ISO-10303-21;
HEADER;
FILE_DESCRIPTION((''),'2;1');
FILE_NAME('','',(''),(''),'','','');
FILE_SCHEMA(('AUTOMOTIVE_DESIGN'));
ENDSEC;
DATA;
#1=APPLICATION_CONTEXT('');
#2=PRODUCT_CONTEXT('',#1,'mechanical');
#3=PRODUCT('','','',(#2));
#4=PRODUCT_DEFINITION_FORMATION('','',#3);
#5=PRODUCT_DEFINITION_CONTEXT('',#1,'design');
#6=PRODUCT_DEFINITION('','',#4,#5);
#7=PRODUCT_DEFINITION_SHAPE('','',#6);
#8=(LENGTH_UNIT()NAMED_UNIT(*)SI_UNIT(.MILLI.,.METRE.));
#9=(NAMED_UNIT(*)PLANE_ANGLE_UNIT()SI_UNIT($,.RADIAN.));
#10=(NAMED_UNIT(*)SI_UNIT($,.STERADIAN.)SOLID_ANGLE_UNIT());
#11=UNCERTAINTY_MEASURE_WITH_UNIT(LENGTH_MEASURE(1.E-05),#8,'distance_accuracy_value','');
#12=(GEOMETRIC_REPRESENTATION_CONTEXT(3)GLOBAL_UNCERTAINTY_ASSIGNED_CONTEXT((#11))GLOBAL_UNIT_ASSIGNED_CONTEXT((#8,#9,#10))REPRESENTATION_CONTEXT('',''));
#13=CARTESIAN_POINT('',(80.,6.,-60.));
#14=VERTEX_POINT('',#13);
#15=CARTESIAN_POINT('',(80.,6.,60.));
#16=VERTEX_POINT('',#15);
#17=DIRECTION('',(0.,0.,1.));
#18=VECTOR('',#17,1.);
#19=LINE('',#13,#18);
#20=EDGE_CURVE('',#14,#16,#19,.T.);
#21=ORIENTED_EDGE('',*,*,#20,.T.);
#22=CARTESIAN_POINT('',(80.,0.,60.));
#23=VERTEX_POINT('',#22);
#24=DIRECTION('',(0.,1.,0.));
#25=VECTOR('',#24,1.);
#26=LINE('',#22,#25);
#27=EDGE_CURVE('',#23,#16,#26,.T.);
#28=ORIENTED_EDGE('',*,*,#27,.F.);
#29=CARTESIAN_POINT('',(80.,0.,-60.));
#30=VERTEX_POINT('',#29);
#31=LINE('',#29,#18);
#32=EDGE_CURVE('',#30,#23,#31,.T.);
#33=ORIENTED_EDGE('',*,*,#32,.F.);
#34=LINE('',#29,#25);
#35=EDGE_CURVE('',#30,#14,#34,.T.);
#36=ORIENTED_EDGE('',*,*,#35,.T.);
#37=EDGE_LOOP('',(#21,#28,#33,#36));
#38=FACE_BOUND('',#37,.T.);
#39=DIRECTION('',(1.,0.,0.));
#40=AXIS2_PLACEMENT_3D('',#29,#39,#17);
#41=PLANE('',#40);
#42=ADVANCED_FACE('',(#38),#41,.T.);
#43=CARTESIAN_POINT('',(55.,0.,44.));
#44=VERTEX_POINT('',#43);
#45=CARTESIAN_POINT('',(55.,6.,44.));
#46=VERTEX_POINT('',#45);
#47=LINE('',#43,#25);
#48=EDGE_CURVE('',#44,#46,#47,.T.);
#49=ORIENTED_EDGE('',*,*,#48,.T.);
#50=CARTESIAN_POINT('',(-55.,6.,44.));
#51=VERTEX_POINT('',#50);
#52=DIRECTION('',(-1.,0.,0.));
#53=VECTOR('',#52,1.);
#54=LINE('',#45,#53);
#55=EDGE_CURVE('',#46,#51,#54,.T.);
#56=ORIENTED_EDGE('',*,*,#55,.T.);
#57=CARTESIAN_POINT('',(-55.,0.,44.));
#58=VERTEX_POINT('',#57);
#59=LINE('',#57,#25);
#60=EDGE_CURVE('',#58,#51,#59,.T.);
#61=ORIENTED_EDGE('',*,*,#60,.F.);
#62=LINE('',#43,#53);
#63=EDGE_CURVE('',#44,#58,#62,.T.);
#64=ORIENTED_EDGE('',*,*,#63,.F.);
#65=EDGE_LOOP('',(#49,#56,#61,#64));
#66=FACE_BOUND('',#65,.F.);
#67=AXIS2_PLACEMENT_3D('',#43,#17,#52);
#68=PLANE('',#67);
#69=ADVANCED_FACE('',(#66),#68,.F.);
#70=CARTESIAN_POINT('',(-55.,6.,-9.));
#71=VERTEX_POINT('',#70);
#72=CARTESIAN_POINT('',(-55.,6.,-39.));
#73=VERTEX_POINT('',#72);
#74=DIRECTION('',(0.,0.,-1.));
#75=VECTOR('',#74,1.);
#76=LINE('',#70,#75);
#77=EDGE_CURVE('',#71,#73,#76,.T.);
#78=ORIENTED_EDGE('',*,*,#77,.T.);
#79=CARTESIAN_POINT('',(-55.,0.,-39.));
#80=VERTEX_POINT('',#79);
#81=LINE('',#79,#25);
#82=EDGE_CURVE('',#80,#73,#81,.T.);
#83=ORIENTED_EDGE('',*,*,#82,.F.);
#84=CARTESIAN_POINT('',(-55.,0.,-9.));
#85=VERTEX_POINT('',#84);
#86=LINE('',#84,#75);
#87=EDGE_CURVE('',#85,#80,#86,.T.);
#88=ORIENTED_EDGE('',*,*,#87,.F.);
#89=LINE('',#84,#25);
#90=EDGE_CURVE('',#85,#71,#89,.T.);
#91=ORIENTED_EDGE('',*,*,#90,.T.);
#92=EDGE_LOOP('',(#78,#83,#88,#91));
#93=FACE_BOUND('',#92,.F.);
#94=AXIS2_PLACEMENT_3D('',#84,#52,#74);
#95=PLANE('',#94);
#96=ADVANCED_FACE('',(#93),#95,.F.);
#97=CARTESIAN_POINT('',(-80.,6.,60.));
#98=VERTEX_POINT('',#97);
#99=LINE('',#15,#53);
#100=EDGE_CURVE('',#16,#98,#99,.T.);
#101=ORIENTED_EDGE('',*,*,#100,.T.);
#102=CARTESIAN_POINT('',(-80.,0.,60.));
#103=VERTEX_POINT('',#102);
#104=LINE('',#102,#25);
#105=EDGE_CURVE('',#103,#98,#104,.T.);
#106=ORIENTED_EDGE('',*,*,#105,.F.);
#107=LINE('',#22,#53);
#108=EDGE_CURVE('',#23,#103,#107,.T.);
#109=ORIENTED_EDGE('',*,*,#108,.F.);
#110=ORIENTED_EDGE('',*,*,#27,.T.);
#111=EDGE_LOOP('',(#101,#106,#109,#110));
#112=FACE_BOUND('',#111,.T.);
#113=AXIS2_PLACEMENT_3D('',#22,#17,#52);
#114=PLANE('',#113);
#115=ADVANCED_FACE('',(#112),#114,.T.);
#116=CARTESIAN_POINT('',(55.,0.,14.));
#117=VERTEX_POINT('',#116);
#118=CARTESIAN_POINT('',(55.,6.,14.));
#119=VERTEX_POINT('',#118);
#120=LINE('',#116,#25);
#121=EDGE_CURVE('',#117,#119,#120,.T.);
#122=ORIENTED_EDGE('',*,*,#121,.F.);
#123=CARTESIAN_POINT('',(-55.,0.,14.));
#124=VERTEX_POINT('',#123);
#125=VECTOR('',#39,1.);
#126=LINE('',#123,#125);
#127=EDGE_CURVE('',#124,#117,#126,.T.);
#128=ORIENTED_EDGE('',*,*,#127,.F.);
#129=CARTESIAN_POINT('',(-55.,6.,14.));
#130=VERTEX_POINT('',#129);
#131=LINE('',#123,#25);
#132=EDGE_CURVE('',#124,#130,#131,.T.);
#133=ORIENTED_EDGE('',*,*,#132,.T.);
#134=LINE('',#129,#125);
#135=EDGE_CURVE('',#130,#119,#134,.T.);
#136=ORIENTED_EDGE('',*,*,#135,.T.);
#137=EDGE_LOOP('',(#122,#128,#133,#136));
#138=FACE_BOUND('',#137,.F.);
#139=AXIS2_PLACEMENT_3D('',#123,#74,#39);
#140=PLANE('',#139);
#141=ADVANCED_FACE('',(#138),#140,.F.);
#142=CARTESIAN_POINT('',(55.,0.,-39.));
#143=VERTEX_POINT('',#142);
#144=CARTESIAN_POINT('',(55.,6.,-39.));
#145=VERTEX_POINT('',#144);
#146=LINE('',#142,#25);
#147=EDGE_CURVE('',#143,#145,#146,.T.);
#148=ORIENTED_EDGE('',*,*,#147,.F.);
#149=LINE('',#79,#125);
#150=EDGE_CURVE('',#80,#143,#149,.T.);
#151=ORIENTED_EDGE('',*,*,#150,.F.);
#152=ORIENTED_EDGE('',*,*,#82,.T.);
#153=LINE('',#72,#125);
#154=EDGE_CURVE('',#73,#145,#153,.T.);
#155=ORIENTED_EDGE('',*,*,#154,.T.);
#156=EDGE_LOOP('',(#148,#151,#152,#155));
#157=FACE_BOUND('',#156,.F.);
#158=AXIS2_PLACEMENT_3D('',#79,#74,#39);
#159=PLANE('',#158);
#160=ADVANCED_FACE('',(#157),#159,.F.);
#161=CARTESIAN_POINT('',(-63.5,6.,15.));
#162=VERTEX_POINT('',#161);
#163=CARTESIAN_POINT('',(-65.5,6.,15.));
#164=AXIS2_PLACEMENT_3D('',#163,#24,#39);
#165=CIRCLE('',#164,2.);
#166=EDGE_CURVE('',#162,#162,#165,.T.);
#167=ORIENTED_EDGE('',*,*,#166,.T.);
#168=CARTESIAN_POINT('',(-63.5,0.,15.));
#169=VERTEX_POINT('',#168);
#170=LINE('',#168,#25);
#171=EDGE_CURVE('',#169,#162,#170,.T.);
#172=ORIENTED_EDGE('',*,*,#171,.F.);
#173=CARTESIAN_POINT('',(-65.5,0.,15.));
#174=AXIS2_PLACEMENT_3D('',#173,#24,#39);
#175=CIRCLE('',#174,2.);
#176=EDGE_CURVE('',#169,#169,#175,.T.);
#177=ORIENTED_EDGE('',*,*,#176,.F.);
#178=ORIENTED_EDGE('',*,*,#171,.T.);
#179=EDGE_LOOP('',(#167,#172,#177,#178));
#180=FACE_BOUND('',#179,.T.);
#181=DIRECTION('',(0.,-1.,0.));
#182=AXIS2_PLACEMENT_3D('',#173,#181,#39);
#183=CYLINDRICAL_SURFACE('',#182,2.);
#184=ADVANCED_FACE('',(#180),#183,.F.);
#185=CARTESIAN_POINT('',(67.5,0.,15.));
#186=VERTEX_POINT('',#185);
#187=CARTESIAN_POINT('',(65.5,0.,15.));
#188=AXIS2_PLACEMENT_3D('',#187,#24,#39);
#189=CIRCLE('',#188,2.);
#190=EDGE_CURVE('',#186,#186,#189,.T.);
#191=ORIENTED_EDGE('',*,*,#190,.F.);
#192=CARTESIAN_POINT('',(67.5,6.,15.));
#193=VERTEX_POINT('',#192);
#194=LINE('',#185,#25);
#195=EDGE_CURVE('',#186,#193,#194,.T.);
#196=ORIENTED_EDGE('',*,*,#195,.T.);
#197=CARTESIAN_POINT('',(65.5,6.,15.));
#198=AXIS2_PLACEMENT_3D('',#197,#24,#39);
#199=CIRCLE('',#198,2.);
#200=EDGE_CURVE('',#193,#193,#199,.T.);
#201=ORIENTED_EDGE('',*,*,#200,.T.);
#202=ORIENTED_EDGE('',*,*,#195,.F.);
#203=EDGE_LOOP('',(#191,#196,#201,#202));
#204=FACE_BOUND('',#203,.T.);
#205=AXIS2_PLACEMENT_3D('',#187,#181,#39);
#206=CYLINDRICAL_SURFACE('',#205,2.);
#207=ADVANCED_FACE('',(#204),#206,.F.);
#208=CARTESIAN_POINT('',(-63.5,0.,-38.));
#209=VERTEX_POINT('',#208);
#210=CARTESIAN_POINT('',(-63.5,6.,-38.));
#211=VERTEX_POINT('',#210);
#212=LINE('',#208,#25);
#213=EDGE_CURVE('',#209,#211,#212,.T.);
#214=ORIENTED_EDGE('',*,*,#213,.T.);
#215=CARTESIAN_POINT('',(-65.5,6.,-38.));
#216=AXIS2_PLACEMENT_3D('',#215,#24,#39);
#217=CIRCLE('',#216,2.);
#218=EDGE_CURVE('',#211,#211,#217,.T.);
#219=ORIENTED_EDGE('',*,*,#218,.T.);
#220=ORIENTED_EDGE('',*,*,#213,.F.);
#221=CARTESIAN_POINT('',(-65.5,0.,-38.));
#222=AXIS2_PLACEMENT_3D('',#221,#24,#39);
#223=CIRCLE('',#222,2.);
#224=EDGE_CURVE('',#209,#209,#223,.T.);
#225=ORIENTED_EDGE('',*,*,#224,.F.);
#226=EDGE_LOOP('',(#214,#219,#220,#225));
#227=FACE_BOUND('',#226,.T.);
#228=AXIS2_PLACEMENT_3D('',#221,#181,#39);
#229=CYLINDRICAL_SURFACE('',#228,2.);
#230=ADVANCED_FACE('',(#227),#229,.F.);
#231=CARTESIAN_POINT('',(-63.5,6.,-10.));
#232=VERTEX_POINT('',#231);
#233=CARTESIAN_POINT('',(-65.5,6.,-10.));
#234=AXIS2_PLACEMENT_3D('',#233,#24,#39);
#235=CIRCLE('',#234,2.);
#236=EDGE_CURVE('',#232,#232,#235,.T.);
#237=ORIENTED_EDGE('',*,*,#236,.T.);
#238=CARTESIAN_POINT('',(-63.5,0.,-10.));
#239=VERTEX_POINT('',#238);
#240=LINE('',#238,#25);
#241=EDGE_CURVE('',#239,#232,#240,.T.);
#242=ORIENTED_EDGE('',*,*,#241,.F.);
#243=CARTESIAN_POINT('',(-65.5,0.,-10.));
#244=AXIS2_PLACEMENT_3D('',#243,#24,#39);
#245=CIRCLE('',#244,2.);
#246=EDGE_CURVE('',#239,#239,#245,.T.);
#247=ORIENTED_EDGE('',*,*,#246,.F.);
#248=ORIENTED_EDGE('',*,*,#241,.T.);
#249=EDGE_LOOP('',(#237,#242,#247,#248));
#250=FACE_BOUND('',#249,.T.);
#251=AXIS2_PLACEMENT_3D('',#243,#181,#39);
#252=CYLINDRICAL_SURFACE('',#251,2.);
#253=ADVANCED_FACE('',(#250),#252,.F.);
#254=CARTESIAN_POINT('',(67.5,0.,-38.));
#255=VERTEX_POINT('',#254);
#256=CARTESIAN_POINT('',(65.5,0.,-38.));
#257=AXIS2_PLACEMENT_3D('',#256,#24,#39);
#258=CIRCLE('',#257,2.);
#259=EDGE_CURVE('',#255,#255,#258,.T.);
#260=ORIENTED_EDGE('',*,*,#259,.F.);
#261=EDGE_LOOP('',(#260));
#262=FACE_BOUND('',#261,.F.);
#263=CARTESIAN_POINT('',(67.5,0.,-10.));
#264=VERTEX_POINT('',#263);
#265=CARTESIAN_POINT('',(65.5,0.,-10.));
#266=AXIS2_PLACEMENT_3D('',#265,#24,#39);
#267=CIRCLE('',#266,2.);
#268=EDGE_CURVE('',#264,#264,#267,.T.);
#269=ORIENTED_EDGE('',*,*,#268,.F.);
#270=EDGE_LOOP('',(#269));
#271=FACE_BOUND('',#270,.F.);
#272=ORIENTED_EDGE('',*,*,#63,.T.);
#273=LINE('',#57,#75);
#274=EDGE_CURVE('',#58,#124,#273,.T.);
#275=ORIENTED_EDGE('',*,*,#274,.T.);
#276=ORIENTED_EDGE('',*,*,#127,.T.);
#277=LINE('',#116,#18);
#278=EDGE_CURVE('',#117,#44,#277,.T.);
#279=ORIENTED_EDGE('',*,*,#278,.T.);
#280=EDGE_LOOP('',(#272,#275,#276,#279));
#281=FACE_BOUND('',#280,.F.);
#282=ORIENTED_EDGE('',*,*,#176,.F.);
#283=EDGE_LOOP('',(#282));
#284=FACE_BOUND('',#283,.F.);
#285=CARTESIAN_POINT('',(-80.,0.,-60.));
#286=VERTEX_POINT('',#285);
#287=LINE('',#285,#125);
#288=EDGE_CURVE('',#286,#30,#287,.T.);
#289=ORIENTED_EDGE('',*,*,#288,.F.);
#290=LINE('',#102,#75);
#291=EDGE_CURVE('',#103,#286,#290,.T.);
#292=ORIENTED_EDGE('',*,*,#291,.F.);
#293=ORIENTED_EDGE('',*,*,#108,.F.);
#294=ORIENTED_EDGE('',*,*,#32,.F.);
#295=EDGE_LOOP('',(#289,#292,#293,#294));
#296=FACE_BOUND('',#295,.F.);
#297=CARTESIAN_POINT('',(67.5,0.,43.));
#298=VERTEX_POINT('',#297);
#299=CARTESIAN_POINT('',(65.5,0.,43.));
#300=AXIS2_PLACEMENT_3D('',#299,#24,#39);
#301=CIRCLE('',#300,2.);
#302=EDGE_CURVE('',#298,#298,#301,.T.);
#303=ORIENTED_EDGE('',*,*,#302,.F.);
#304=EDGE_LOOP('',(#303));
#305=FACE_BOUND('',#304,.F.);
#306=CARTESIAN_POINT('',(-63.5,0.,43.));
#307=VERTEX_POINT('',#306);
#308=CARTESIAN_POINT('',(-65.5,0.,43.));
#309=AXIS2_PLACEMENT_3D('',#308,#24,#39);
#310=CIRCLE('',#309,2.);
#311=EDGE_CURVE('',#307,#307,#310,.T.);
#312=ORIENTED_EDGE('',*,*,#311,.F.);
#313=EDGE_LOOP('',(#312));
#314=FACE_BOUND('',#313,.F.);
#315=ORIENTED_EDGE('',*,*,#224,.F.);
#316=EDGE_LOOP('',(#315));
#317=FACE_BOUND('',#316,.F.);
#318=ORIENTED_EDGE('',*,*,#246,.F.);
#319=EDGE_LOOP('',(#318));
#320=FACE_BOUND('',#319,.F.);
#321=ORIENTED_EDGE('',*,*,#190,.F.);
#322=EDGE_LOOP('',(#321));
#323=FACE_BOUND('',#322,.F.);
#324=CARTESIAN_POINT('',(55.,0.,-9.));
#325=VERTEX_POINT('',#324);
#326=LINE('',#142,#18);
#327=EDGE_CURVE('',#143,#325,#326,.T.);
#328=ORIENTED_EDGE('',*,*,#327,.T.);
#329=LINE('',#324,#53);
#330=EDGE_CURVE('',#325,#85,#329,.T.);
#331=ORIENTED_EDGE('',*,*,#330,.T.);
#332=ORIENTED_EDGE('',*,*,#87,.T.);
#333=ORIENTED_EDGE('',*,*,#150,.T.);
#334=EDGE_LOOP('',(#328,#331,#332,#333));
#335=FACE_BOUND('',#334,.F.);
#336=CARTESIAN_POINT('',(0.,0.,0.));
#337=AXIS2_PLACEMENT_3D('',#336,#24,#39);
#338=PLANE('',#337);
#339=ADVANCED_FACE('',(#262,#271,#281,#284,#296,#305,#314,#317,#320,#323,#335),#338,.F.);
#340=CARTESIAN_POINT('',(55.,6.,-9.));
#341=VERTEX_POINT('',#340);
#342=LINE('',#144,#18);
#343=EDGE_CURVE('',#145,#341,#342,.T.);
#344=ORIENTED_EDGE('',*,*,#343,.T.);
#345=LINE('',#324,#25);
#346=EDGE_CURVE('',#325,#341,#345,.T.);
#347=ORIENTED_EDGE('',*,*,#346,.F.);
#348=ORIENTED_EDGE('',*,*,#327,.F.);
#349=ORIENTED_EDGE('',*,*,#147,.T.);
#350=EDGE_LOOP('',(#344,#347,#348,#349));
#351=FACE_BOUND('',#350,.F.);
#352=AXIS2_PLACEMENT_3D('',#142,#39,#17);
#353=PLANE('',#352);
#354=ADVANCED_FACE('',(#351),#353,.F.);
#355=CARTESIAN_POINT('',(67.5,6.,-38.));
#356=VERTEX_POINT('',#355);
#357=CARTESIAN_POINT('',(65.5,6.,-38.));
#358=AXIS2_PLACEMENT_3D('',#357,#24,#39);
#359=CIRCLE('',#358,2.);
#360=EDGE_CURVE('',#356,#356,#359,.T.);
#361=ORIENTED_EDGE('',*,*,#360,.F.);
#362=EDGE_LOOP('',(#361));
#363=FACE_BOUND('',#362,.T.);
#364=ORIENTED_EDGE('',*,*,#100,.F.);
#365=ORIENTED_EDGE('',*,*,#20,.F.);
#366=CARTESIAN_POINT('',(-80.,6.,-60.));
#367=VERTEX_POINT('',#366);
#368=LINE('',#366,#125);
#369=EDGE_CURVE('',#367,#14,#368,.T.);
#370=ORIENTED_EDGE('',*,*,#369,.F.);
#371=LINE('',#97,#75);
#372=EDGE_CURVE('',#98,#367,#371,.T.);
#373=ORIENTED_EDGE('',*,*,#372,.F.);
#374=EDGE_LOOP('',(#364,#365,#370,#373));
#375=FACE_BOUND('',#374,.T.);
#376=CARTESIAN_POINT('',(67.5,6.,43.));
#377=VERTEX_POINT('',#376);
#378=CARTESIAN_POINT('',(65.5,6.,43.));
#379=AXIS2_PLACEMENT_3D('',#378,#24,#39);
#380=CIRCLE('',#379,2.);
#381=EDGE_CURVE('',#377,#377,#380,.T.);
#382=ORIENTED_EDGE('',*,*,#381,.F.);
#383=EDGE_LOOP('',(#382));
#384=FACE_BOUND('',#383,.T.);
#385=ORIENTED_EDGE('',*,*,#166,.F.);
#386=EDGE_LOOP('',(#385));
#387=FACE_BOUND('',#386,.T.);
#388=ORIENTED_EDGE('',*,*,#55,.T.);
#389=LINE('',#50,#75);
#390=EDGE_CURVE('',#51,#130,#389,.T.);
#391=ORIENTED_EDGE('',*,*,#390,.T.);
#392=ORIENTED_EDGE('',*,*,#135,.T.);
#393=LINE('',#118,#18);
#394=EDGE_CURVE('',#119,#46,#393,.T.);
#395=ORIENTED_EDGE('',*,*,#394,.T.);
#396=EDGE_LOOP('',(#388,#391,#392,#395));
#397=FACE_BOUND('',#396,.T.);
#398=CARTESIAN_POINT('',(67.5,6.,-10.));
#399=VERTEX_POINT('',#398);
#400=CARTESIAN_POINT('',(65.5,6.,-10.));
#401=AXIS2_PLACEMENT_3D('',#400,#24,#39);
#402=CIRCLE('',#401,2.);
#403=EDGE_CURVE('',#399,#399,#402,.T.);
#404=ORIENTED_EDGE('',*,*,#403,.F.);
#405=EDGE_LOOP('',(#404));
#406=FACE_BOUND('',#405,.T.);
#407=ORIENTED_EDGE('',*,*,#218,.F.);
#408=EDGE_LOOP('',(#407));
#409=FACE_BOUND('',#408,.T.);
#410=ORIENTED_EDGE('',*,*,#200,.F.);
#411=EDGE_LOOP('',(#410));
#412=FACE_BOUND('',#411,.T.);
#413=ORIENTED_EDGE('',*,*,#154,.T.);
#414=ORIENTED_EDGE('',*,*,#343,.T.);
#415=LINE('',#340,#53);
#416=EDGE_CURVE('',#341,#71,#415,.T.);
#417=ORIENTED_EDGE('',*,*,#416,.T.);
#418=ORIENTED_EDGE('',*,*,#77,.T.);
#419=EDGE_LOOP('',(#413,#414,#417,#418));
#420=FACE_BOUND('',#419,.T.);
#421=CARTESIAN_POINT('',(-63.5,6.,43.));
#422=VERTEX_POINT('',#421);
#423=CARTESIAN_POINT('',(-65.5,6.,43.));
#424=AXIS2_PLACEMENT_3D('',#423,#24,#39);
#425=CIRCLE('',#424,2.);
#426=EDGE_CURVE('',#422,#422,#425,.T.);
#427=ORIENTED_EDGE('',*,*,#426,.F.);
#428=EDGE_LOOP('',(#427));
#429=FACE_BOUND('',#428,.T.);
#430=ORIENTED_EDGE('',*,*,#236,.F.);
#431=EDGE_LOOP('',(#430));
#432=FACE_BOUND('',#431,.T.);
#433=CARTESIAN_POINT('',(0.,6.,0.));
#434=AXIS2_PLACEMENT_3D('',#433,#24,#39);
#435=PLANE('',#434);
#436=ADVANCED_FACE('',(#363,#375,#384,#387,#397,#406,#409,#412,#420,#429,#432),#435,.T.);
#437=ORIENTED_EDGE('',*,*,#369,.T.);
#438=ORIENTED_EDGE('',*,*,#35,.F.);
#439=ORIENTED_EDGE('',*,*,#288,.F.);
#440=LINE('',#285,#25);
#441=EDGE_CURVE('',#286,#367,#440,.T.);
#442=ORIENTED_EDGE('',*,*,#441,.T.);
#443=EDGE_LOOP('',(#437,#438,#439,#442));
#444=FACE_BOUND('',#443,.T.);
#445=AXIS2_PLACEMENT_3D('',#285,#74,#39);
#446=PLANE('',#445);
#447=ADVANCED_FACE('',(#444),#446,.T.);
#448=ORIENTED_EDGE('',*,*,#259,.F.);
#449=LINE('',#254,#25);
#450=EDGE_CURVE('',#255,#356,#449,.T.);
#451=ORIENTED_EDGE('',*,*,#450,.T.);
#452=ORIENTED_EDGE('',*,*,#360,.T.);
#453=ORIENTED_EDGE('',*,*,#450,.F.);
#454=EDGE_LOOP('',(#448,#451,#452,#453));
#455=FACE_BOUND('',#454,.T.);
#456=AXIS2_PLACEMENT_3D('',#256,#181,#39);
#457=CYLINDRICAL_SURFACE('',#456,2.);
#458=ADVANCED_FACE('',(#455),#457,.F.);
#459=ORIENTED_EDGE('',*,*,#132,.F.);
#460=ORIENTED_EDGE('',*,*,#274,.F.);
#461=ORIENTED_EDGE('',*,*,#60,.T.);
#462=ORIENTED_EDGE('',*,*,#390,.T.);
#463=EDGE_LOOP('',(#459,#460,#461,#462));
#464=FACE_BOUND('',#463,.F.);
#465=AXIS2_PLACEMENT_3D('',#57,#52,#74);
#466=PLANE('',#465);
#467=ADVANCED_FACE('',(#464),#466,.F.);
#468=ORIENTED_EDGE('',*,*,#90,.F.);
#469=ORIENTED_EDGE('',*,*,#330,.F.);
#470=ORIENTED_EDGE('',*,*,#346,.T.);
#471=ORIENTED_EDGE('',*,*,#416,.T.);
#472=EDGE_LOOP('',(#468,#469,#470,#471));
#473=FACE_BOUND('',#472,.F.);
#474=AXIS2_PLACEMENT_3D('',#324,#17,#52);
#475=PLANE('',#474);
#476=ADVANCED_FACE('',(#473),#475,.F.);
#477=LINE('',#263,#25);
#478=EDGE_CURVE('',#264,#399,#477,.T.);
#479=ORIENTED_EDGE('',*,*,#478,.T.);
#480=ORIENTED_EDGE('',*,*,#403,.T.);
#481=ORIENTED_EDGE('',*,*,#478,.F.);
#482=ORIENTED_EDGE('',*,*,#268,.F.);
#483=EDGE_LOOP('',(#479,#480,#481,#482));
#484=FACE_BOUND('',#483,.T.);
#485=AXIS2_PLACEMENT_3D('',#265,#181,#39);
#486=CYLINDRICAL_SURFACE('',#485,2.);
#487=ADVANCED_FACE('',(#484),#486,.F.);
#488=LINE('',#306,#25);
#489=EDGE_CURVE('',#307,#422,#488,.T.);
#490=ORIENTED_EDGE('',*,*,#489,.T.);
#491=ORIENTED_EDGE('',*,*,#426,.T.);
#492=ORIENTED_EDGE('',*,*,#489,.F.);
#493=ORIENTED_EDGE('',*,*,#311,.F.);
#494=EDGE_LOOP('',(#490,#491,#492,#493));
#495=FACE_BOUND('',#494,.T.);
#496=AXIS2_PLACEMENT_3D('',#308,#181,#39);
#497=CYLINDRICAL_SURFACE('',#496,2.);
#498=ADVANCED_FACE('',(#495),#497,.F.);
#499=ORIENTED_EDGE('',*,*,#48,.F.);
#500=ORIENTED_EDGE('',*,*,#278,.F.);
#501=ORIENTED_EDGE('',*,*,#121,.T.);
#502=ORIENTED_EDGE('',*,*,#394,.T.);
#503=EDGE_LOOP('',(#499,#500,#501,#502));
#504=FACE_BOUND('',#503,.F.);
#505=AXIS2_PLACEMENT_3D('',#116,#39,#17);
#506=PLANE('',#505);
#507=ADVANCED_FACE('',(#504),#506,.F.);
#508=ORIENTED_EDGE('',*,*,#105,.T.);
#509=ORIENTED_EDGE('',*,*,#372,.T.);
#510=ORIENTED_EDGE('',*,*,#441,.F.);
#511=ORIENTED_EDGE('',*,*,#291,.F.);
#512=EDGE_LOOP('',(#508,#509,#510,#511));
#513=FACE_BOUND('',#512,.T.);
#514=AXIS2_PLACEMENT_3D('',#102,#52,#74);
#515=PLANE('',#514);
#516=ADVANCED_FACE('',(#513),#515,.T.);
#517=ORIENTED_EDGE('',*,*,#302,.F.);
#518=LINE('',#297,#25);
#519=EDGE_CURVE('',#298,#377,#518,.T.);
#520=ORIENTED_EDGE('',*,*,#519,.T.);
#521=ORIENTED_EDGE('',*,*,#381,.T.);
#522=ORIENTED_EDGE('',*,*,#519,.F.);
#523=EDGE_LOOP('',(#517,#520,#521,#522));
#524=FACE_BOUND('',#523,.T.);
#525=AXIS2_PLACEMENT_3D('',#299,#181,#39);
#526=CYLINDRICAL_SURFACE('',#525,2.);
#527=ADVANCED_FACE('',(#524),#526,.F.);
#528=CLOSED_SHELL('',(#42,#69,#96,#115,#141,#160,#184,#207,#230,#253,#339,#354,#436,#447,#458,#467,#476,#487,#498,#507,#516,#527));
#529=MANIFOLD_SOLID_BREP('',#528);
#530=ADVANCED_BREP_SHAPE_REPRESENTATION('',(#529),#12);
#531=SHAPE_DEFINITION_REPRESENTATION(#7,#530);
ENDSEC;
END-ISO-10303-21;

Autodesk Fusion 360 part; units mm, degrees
sketch "Sketch1" plane through (0, 0, 0) normal (0, 1, 0) x (1, 0, 0)
  line L0 (80, -60) -> (-80, -60)
  line L1 (-80, -60) -> (-80, 60)
  line L2 (-80, 60) -> (80, 60)
  line L3 (80, 60) -> (80, -60)
  line L4 (80, -60) -> (-80, 60) construction
  line L5 (-80, -60) -> (80, 60) construction
  line L6 (0, -60) -> (0, 60) construction
  line L7 (65.5, -15) -> (-65.5, -15) construction
  line L8 (-65.5, -15) -> (-65.5, -43) construction
  line L9 (-65.5, -43) -> (65.5, -43) construction
  line L10 (65.5, -43) -> (65.5, -15) construction
  line L11 (65.5, -15) -> (-65.5, -43) construction
  line L12 (-65.5, -15) -> (65.5, -43) construction
  line L13 (65.5, 10) -> (-65.5, 10) construction
  line L14 (-65.5, 10) -> (-65.5, 38) construction
  line L15 (-65.5, 38) -> (65.5, 38) construction
  line L16 (65.5, 38) -> (65.5, 10) construction
  line L17 (65.5, 10) -> (-65.5, 38) construction
  line L18 (-65.5, 10) -> (65.5, 38) construction
  circle A0 centre (65.5, -43) radius 2
  circle A1 centre (65.5, -15) radius 2
  circle A2 centre (-65.5, -43) radius 2
  circle A3 centre (-65.5, -15) radius 2
  circle A4 centre (-65.5, 10) radius 2
  circle A5 centre (-65.5, 38) radius 2
  circle A6 centre (65.5, 38) radius 2
  circle A7 centre (65.5, 10) radius 2
  line L19 (55, -44) -> (-55, -44)
  line L20 (-55, -44) -> (-55, -14)
  line L21 (-55, -14) -> (55, -14)
  line L22 (55, -14) -> (55, -44)
  line L23 (55, -44) -> (-55, -14) construction
  line L24 (-55, -44) -> (55, -14) construction
  line L25 (55, 9) -> (-55, 9)
  line L26 (-55, 9) -> (-55, 39)
  line L27 (-55, 39) -> (55, 39)
  line L28 (55, 39) -> (55, 9)
  line L29 (55, 9) -> (-55, 39) construction
  line L30 (-55, 9) -> (55, 39) construction
  point P0 (0, -29)
  point P1 (0, 24)
  point P2 (0, -29)
  point P3 (0, 24)
  dimension "d1" = 160
  dimension "d2" = 120
  dimension "d3" = 131
  dimension "d4" = 28
  dimension "d5" = 131
  dimension "d6" = 28
  dimension "d7" = 15
  dimension "d8" = 10
  dimension "d9" = 4
  dimension "d10" = 4
  dimension "d11" = 4
  dimension "d12" = 4
  dimension "d13" = 4
  dimension "d14" = 4
  dimension "d15" = 4
  dimension "d16" = 4
  dimension "d17" = 110
  dimension "d18" = 30
  dimension "d19" = 110
  dimension "d20" = 30
extrude "Extrude2" add sketch "Sketch1" along normal blind 6
extrude "Extrude1" [suppressed]
equation "d3 = 143 mm - 12 mm"
equation "d4 = 40 mm - 12 mm"
equation "d5 = 143 mm - 12 mm"
equation "d6 = 40 mm - 12 mm"
equation "d10 = d9"
equation "d11 = d9"
equation "d12 = d9"
equation "d13 = d9"
equation "d14 = d9"
equation "d15 = d9"
equation "d16 = d9"
